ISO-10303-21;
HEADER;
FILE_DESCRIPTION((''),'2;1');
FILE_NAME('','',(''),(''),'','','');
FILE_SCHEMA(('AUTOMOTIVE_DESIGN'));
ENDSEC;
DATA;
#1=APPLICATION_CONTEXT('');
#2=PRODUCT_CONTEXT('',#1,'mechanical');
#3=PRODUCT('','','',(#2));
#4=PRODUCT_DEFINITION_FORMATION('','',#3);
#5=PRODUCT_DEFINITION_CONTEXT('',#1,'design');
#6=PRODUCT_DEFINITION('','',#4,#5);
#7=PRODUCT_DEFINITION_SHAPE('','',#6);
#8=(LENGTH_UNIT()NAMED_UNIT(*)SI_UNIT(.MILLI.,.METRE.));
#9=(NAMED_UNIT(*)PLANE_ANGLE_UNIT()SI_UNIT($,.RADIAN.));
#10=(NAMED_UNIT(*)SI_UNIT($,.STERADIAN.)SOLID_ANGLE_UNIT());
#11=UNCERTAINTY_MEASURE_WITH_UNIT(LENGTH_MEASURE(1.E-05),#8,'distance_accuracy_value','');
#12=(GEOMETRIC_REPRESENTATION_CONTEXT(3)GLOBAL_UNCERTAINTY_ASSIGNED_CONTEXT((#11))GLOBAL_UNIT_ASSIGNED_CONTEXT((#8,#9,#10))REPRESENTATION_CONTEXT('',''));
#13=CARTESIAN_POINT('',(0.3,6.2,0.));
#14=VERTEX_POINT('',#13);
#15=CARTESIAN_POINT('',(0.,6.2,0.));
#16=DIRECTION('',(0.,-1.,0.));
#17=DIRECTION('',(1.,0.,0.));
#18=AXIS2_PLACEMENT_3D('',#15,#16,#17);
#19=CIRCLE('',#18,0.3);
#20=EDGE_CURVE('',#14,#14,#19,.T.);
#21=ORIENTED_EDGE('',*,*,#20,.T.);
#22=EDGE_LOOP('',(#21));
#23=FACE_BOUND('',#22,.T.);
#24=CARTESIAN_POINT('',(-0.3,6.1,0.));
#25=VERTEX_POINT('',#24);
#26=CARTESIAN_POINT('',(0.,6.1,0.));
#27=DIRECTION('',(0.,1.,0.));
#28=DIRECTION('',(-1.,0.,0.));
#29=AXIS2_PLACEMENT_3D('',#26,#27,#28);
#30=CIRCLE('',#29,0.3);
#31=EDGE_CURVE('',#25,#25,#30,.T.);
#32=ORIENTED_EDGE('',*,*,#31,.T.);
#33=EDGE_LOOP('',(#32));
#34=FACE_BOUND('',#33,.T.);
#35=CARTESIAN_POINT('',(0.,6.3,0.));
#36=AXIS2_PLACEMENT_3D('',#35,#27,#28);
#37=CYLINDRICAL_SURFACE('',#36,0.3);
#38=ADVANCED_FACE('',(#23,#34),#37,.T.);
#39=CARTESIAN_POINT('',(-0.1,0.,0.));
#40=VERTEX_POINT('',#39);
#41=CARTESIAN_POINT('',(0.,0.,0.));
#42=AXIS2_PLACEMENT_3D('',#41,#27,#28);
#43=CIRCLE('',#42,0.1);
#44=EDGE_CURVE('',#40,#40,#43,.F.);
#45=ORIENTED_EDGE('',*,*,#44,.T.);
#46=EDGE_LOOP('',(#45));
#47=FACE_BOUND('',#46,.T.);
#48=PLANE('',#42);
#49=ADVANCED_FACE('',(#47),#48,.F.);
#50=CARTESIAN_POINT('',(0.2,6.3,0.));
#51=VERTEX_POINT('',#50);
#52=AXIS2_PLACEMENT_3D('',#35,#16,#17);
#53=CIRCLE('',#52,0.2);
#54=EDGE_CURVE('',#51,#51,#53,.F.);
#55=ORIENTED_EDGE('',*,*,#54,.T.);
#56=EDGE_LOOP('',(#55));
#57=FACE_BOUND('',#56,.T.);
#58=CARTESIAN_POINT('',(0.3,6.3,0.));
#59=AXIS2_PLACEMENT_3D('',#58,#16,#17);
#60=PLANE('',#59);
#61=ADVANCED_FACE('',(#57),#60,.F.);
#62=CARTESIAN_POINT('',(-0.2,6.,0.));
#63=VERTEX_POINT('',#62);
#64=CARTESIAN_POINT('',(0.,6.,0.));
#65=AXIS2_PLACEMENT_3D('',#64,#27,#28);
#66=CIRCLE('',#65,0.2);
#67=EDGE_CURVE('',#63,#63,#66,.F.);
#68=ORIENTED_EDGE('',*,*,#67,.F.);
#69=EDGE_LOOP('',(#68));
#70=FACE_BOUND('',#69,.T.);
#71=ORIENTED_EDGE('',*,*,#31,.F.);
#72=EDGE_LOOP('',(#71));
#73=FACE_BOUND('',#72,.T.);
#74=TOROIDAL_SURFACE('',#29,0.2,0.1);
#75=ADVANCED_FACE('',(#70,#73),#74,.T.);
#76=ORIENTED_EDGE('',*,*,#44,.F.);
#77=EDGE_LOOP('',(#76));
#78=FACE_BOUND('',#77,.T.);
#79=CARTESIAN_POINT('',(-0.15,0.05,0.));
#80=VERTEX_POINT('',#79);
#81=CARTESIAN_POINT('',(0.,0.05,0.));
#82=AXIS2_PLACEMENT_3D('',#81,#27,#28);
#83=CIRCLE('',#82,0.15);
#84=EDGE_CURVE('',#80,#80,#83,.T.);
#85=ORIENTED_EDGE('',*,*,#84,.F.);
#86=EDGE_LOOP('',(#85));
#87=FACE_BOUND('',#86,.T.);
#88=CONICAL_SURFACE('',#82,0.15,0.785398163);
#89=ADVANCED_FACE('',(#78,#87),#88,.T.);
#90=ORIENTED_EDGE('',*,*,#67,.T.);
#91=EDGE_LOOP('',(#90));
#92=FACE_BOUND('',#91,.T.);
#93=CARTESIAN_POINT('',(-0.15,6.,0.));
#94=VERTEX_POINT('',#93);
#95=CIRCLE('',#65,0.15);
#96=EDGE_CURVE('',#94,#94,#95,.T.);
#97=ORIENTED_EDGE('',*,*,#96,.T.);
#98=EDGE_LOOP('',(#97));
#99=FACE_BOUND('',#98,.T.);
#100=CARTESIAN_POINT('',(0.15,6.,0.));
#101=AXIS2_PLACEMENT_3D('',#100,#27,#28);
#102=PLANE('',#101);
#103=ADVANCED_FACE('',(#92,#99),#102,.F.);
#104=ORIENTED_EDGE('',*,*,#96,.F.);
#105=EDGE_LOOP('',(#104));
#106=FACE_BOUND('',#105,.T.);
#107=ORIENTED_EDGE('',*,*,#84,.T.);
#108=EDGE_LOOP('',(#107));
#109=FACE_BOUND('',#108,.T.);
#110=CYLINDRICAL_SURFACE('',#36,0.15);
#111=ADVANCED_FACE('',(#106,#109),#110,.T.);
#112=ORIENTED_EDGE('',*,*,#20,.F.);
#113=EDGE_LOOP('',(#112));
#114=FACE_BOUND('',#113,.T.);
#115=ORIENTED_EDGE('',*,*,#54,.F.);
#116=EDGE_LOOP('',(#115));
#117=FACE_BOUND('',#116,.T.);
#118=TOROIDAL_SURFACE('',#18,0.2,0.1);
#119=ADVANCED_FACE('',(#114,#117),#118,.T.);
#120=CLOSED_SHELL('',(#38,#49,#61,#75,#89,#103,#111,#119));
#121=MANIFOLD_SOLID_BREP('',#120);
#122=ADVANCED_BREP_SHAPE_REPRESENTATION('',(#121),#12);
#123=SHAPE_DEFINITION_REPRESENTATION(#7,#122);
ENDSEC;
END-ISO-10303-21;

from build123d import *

# Parameters (mm, degrees)
FILLET1_R     = 0.1
CHAMFER1_SIZE = 0.05


with BuildPart() as part:
    # Sketch2 → Revolve1 (revolve)
    with BuildSketch(Plane.XY, mode=Mode.PRIVATE) as revolve1_sk:
        Polygon((0, 0), (0.15, 0), (0.15, 6), (0.3, 6), (0.3, 6.3), (0, 6.3), align=None)
    revolve(revolve1_sk.sketch.rotate(Axis((0, 6.3, 0), (0, -1, 0)), 180), axis=Axis((0, 6.3, 0), (0, -1, 0)))

    # Fillet1
    fillet1_edges = [part.edges().sort_by_distance(p)[0] for p in [
        (0.3, 6.3, 0),
        (0.3, 6, 0),
    ]]
    fillet(fillet1_edges, radius=FILLET1_R)

    # Chamfer1
    chamfer1_edges = [part.edges().sort_by_distance(p)[0] for p in [
        (0.15, 0, 0),
    ]]
    chamfer(chamfer1_edges, length=CHAMFER1_SIZE)


solid = part.part
